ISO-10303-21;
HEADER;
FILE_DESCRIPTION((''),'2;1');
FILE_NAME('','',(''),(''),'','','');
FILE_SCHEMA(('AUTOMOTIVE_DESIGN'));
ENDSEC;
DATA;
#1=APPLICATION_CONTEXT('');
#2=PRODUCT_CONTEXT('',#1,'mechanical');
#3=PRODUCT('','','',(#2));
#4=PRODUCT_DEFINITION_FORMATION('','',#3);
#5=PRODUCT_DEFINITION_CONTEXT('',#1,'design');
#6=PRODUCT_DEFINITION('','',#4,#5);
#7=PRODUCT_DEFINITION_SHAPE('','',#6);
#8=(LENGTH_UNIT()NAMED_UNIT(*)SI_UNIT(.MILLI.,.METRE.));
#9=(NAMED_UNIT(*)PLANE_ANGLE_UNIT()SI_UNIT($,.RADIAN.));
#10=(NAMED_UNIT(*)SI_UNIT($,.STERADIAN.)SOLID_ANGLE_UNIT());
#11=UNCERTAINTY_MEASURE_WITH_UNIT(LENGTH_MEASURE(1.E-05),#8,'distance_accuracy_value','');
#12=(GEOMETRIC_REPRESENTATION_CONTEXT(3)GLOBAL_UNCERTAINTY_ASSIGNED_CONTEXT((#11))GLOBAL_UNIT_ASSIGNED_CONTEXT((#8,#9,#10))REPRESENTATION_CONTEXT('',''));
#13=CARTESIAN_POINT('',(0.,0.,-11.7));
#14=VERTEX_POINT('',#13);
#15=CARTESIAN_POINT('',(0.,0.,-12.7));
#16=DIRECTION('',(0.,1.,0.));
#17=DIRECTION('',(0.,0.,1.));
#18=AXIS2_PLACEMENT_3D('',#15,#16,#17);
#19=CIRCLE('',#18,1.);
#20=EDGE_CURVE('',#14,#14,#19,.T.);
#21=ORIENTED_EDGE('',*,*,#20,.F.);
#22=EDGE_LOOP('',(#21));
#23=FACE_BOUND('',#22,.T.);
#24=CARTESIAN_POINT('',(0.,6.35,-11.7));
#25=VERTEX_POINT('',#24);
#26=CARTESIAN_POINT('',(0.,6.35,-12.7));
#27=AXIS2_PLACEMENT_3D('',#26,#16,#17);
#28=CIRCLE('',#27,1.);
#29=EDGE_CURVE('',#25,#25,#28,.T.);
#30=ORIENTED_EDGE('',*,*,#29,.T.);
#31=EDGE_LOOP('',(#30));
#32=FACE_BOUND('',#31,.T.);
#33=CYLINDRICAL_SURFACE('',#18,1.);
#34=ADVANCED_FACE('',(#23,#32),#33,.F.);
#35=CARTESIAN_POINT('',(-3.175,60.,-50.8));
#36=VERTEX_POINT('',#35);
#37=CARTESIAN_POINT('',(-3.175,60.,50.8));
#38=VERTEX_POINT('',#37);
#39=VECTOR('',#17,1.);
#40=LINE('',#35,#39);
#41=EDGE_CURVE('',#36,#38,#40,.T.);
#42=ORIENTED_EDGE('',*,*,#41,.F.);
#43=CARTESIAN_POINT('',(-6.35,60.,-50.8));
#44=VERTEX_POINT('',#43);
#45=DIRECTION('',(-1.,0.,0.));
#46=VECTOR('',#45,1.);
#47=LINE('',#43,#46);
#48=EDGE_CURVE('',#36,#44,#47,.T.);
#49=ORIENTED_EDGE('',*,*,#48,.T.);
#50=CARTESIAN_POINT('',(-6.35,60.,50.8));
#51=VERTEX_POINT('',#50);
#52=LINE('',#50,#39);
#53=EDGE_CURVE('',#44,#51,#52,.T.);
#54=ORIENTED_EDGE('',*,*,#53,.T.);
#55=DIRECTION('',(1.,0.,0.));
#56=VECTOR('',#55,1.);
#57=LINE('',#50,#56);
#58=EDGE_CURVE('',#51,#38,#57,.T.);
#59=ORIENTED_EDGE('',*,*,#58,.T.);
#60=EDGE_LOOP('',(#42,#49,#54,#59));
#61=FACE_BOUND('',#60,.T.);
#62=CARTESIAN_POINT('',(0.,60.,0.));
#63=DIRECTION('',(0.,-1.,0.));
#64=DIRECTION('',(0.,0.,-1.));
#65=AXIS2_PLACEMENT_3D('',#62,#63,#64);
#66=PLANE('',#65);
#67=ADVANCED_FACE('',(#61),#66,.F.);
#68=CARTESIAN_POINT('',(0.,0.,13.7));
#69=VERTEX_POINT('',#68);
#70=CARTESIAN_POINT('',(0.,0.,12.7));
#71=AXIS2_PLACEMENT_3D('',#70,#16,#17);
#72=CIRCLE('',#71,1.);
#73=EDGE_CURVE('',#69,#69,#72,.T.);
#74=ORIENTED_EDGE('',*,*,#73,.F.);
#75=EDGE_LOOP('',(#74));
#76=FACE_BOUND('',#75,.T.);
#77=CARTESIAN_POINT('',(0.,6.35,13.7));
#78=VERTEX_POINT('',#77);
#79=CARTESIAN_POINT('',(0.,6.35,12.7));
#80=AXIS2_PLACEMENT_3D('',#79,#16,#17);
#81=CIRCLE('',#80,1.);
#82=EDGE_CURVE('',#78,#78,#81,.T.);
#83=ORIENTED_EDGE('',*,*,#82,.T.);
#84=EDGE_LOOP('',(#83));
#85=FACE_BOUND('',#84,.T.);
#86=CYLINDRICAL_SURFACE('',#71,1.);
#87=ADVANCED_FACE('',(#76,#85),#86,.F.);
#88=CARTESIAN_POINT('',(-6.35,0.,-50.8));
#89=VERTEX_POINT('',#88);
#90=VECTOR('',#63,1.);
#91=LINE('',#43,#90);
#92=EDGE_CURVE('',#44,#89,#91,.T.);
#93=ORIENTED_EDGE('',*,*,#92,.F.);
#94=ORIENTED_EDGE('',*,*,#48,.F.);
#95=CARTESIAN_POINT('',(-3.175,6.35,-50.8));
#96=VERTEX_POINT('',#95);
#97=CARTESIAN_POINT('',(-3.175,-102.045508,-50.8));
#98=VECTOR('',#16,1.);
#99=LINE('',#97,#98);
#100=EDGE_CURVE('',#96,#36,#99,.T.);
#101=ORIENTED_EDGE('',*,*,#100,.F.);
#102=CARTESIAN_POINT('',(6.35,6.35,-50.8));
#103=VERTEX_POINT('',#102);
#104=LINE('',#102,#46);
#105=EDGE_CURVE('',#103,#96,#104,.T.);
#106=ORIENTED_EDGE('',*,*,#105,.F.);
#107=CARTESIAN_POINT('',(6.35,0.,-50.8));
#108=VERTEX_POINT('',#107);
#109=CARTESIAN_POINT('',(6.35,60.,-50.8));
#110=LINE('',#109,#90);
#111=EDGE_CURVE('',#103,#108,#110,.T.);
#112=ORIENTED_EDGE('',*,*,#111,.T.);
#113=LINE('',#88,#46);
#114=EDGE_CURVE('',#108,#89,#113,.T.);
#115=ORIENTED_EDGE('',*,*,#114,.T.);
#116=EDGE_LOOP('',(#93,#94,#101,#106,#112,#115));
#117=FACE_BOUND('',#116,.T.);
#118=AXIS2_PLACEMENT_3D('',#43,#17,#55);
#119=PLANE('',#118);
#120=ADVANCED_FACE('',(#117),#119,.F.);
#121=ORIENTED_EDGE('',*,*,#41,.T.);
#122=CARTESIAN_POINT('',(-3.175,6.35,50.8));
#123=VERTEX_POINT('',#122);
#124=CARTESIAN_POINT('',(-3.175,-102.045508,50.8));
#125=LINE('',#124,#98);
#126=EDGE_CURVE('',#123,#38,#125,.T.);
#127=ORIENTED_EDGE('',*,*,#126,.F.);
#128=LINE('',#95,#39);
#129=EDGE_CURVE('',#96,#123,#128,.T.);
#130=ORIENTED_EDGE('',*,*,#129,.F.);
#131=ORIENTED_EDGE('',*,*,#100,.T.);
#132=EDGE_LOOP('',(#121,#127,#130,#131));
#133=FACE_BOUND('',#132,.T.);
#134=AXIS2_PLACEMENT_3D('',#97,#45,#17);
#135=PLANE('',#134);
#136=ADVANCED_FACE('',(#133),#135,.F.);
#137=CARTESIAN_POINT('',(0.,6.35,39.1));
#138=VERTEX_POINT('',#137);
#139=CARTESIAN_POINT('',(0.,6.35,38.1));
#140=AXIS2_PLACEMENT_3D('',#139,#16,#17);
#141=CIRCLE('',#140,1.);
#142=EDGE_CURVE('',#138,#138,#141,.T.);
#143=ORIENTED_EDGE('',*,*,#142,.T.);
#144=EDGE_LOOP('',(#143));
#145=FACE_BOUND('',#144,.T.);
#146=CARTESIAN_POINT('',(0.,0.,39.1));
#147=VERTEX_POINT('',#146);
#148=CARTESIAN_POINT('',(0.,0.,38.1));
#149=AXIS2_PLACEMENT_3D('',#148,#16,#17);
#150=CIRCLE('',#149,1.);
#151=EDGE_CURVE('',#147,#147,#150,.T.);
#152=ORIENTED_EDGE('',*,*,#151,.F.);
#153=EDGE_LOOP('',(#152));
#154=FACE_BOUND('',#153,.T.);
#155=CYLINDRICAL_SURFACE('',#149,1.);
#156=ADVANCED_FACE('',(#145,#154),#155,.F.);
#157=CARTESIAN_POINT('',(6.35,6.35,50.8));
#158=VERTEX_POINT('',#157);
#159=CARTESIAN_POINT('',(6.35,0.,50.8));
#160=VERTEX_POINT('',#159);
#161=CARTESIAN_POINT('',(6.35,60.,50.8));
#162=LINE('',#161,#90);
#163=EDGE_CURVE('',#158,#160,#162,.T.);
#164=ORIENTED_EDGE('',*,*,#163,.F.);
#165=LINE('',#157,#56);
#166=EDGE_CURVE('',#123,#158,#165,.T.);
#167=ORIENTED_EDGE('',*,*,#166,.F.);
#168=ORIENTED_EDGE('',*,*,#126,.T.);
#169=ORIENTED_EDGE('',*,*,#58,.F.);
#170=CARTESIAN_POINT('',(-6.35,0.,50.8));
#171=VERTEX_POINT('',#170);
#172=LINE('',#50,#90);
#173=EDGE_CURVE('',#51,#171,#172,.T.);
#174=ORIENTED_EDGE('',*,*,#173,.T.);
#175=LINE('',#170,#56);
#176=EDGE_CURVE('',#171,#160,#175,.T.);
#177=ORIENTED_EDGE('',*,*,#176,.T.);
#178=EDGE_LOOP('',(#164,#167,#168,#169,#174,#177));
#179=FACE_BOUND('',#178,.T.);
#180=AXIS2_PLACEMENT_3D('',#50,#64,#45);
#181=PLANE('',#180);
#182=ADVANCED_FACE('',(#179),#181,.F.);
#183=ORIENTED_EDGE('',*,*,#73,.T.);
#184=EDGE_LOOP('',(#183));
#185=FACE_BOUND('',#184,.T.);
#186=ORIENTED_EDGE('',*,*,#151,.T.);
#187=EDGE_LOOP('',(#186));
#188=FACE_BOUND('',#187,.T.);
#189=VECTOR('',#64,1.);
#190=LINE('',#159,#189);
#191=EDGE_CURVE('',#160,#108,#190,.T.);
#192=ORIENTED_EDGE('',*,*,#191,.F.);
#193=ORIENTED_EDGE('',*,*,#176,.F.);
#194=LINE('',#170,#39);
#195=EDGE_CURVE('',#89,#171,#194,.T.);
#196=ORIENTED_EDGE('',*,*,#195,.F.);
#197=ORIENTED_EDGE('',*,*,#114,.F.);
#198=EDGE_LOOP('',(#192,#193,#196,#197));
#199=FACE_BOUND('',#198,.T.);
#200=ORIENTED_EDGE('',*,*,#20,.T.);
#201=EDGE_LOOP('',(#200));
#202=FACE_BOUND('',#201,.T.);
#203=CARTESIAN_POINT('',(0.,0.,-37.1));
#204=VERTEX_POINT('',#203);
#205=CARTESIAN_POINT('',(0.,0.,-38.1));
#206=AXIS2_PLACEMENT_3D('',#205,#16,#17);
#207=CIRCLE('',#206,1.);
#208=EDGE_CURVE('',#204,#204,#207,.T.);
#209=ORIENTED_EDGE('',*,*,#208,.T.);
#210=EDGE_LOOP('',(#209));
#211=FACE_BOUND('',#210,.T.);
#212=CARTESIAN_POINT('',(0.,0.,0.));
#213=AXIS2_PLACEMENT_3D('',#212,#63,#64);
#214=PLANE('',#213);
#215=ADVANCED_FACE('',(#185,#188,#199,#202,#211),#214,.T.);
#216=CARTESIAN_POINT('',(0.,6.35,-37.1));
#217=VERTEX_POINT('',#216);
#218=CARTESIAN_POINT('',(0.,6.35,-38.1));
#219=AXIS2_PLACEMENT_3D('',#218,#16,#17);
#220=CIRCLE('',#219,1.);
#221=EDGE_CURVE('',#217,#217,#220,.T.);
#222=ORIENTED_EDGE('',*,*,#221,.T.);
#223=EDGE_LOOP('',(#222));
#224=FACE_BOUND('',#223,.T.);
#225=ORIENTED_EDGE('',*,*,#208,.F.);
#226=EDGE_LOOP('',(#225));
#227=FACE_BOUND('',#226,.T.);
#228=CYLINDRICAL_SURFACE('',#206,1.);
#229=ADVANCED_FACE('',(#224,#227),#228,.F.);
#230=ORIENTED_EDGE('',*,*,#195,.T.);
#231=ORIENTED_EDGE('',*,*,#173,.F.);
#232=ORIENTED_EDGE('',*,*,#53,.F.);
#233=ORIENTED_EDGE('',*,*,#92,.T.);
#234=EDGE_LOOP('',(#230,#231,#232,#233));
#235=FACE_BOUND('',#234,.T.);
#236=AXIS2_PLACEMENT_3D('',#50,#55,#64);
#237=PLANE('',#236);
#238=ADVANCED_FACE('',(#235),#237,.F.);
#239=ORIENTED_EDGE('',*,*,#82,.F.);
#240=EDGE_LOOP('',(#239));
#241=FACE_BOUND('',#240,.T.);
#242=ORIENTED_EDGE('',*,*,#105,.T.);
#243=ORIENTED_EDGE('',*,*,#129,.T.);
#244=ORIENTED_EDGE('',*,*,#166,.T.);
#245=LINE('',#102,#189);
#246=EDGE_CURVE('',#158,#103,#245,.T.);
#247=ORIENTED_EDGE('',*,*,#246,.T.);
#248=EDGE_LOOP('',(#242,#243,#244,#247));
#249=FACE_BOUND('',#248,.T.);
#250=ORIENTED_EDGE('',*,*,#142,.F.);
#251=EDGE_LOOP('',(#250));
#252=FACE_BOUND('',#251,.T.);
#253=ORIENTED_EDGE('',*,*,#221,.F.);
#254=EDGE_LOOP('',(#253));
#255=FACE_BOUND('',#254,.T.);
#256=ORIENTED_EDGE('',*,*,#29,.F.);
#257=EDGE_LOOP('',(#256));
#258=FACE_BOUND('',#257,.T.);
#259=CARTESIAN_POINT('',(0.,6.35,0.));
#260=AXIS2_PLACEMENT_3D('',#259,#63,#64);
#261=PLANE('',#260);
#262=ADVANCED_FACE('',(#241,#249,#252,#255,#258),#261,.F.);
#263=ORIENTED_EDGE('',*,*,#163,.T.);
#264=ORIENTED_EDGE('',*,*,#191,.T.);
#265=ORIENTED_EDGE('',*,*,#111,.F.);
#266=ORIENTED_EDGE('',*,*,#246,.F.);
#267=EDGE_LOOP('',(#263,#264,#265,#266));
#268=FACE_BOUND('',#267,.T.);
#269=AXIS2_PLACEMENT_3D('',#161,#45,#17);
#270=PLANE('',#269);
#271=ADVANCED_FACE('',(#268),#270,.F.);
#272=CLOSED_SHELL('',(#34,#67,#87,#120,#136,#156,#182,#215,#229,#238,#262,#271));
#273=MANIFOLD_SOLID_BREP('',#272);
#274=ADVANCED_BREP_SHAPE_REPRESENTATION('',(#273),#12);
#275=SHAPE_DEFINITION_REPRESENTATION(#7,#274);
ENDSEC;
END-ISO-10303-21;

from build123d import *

# Parameters (mm, degrees)
SKETCH1_W           = 12.7
SKETCH1_H           = 101.6
BOSS_EXTRUDE1_DEPTH = 59.999999888
SKETCH2_W           = 9.525
SKETCH2_H           = 101.6
CUT_EXTRUDE1_DEPTH  = 53.65
SKETCH3_R           = 1.000000032
CUT_EXTRUDE2_DEPTH  = 7.35


with BuildPart() as part:
    # Sketch1 → Boss-Extrude1 (new body)
    with BuildSketch(Plane(origin=(0, 0, 0), x_dir=(1, 0, 0), z_dir=(0, 1, 0))):
        Rectangle(SKETCH1_W, SKETCH1_H)
    extrude(amount=BOSS_EXTRUDE1_DEPTH)

    # Sketch2 → Cut-Extrude1 (cut)
    with BuildSketch(Plane(origin=(0, 59.999999888, 0), x_dir=(1, 0, 0), z_dir=(0, 1, 0))):
        with Locations((1.5875, 0)):
            Rectangle(SKETCH2_W, SKETCH2_H)
    extrude(amount=-CUT_EXTRUDE1_DEPTH, mode=Mode.SUBTRACT)

    # Sketch3 → Cut-Extrude2 (cut, through all)
    with BuildSketch(Plane(origin=(0, 6.35, 0), x_dir=(1, 0, 0), z_dir=(0, 1, 0))):
        with Locations((0, 38.1)):
            Circle(SKETCH3_R)
        with Locations((0, 12.7)):
            Circle(SKETCH3_R)
        with Locations((0, -12.7)):
            Circle(SKETCH3_R)
        with Locations((0, -38.1)):
            Circle(SKETCH3_R)
    extrude(amount=-CUT_EXTRUDE2_DEPTH, mode=Mode.SUBTRACT)


solid = part.part
